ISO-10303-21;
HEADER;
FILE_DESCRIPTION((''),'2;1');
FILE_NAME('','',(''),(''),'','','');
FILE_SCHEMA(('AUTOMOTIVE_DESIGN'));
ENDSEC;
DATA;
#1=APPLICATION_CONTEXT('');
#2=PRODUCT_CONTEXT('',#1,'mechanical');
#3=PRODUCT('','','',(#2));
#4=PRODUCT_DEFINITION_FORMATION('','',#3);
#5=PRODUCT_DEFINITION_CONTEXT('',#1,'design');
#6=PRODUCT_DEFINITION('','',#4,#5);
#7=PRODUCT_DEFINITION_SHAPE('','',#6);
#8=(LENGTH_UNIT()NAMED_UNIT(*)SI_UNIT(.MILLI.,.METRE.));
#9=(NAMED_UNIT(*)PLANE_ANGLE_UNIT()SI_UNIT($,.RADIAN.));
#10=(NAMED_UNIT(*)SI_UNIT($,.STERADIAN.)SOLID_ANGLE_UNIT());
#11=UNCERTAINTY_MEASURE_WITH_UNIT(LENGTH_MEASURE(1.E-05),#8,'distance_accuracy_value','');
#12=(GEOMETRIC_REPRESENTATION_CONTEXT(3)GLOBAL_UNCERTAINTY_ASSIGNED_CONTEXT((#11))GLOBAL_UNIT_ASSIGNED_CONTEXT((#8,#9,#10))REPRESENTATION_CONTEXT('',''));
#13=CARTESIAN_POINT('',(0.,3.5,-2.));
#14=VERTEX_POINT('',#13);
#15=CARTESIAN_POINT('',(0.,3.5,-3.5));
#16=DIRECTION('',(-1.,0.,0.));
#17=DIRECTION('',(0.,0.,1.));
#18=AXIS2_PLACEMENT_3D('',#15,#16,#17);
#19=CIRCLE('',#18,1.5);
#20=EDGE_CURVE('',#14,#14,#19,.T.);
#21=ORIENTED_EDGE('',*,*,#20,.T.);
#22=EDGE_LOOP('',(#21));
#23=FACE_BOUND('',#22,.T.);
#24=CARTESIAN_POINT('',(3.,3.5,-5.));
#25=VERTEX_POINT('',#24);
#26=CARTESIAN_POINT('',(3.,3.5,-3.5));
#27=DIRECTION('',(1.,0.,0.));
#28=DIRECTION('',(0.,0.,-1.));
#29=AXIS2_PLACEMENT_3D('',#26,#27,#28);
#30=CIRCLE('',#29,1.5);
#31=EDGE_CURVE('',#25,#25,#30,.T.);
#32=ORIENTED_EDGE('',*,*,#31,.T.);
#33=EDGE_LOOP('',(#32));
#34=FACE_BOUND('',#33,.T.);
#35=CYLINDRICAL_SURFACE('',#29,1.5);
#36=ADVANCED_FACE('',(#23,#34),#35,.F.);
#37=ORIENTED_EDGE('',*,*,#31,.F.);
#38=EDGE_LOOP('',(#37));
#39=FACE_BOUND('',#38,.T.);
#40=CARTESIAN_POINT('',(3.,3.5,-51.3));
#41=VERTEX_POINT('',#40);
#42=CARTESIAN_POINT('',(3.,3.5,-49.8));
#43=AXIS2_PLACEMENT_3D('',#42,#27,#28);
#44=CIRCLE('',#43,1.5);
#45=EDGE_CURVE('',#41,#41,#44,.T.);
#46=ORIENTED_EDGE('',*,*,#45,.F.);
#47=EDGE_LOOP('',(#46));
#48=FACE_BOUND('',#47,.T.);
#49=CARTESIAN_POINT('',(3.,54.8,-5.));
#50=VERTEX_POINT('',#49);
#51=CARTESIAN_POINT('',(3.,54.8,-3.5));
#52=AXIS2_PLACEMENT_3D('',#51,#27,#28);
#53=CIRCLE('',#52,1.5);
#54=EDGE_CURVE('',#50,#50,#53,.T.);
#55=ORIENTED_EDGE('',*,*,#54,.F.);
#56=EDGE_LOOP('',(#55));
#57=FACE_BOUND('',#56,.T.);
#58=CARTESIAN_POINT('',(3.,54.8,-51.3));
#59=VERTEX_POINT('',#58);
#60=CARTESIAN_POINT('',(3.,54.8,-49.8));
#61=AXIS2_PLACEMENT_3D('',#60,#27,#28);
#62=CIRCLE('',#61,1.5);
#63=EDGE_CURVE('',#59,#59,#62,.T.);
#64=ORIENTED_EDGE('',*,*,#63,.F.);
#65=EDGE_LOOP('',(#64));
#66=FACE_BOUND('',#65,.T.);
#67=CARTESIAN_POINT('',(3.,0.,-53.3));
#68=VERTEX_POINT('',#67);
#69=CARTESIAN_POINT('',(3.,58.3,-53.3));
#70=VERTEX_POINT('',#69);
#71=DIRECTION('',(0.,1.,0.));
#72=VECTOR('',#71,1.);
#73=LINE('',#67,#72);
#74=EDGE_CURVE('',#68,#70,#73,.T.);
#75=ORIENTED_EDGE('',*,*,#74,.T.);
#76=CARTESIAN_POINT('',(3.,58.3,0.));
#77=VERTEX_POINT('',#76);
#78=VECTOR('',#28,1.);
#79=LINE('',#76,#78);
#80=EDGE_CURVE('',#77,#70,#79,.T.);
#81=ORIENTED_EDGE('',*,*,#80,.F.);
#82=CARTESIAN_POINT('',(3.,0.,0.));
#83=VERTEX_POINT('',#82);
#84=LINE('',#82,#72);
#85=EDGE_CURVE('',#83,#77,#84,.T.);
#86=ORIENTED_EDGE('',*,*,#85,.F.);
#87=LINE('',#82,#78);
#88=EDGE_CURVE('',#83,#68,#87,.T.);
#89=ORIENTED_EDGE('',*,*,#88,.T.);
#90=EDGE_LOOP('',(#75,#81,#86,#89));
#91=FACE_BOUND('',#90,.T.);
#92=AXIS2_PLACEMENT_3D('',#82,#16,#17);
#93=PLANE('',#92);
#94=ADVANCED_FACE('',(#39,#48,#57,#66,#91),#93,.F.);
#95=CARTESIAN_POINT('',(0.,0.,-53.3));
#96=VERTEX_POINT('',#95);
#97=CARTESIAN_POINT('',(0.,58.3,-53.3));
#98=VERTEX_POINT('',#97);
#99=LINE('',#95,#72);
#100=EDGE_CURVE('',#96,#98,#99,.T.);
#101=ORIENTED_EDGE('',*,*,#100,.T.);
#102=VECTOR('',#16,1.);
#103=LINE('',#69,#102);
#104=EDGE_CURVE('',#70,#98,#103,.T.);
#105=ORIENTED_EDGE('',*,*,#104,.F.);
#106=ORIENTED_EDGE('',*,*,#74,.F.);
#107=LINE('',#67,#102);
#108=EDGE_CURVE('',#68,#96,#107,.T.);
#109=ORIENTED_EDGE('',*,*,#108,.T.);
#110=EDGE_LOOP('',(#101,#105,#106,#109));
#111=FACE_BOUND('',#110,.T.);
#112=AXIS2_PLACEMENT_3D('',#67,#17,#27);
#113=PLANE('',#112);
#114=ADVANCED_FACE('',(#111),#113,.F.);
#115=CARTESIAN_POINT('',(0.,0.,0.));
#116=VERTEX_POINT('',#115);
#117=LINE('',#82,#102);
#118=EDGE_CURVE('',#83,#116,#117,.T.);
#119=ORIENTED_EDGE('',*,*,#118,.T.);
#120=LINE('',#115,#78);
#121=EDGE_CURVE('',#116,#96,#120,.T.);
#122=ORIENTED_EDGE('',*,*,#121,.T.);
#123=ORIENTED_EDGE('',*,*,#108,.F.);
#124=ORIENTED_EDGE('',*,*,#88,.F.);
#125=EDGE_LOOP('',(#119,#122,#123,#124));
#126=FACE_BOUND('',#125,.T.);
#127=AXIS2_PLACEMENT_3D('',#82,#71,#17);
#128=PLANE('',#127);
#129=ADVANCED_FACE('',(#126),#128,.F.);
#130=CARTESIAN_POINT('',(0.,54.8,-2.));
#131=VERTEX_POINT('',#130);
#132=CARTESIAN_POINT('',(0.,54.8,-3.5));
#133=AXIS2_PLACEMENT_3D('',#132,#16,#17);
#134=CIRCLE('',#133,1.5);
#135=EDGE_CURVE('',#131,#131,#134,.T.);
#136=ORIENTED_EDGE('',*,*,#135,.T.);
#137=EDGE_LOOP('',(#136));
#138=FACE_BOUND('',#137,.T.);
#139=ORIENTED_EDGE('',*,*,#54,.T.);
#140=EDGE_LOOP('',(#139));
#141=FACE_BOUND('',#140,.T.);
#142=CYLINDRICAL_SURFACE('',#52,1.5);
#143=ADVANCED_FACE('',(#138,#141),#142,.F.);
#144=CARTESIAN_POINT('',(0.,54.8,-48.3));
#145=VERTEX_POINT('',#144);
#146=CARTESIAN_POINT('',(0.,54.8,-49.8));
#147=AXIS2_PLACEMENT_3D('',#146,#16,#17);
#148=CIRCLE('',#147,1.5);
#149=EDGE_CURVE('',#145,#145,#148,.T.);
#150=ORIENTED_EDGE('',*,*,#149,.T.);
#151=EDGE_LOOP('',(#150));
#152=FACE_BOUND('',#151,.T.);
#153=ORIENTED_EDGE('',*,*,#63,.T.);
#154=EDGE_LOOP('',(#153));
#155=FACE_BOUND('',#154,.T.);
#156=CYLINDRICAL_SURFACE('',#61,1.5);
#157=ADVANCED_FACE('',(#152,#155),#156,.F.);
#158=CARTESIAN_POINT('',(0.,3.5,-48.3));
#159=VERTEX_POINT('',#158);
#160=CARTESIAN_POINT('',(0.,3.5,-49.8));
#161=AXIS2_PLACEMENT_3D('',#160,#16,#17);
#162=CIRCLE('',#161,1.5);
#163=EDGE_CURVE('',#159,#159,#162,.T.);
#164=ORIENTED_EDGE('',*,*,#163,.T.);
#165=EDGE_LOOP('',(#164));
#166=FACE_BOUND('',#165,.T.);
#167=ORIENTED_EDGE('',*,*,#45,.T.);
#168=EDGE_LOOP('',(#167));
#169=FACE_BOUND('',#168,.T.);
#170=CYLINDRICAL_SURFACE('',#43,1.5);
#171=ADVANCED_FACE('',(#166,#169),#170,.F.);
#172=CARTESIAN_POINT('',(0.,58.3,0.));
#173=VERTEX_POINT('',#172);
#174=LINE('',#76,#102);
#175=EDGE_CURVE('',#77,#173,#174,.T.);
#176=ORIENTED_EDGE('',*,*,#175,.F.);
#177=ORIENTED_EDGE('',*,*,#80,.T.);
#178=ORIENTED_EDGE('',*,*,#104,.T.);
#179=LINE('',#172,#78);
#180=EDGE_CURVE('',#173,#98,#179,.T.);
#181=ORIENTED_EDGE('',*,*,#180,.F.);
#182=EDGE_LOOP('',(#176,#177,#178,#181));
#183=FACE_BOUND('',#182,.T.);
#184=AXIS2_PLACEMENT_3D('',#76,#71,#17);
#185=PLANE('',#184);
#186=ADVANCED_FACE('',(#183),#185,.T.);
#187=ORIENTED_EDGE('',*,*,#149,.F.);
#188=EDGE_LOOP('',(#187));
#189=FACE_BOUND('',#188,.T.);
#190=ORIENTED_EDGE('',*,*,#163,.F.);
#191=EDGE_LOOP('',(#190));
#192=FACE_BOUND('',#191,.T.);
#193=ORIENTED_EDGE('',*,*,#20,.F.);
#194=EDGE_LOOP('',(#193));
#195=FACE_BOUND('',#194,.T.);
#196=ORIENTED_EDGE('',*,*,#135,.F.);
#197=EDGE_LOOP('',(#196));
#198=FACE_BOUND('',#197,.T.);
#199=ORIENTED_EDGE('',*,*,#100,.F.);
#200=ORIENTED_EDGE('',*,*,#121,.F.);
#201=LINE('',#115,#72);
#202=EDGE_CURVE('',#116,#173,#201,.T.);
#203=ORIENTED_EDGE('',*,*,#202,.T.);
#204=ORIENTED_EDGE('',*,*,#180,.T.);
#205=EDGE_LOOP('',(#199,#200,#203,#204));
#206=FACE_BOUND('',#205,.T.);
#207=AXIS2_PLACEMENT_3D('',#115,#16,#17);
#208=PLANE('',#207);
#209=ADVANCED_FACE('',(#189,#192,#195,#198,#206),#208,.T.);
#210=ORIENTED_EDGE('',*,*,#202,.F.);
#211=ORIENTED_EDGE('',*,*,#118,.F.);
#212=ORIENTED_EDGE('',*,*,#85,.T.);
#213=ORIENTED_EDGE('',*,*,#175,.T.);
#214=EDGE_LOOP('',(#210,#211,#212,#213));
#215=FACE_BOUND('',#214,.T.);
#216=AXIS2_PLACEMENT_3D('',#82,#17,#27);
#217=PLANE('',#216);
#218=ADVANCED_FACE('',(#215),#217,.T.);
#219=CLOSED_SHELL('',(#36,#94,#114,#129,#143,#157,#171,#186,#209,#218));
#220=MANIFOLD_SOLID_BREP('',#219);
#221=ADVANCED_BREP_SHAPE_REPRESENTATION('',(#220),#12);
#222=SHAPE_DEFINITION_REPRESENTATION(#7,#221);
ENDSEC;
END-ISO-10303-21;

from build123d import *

# Parameters (mm, degrees)
SKETCH2_W             = 53.3
SKETCH2_H             = 58.3
BOSS_EXTRUDE1_DEPTH   = 3
F_3_0MM_DOWEL_HOLE1_D = 3


with BuildPart() as part:
    # Sketch2 → Boss-Extrude1 (new body)
    with BuildSketch(Plane(origin=(0, 0, 0), x_dir=(0, 0, -1), z_dir=(1, 0, 0))):
        with Locations((26.65, 29.15)):
            Rectangle(SKETCH2_W, SKETCH2_H)
    extrude(amount=BOSS_EXTRUDE1_DEPTH)

    # Ø3.0mm Dowel Hole1 (through all)
    with Locations(Plane(origin=(3, 0, 0), x_dir=(0, 0, -1), z_dir=(1, 0, 0))):
        with Locations((3.5, 54.8), (49.8, 54.8), (49.8, 3.5), (3.5, 3.5)):
            Hole(F_3_0MM_DOWEL_HOLE1_D / 2)


solid = part.part
